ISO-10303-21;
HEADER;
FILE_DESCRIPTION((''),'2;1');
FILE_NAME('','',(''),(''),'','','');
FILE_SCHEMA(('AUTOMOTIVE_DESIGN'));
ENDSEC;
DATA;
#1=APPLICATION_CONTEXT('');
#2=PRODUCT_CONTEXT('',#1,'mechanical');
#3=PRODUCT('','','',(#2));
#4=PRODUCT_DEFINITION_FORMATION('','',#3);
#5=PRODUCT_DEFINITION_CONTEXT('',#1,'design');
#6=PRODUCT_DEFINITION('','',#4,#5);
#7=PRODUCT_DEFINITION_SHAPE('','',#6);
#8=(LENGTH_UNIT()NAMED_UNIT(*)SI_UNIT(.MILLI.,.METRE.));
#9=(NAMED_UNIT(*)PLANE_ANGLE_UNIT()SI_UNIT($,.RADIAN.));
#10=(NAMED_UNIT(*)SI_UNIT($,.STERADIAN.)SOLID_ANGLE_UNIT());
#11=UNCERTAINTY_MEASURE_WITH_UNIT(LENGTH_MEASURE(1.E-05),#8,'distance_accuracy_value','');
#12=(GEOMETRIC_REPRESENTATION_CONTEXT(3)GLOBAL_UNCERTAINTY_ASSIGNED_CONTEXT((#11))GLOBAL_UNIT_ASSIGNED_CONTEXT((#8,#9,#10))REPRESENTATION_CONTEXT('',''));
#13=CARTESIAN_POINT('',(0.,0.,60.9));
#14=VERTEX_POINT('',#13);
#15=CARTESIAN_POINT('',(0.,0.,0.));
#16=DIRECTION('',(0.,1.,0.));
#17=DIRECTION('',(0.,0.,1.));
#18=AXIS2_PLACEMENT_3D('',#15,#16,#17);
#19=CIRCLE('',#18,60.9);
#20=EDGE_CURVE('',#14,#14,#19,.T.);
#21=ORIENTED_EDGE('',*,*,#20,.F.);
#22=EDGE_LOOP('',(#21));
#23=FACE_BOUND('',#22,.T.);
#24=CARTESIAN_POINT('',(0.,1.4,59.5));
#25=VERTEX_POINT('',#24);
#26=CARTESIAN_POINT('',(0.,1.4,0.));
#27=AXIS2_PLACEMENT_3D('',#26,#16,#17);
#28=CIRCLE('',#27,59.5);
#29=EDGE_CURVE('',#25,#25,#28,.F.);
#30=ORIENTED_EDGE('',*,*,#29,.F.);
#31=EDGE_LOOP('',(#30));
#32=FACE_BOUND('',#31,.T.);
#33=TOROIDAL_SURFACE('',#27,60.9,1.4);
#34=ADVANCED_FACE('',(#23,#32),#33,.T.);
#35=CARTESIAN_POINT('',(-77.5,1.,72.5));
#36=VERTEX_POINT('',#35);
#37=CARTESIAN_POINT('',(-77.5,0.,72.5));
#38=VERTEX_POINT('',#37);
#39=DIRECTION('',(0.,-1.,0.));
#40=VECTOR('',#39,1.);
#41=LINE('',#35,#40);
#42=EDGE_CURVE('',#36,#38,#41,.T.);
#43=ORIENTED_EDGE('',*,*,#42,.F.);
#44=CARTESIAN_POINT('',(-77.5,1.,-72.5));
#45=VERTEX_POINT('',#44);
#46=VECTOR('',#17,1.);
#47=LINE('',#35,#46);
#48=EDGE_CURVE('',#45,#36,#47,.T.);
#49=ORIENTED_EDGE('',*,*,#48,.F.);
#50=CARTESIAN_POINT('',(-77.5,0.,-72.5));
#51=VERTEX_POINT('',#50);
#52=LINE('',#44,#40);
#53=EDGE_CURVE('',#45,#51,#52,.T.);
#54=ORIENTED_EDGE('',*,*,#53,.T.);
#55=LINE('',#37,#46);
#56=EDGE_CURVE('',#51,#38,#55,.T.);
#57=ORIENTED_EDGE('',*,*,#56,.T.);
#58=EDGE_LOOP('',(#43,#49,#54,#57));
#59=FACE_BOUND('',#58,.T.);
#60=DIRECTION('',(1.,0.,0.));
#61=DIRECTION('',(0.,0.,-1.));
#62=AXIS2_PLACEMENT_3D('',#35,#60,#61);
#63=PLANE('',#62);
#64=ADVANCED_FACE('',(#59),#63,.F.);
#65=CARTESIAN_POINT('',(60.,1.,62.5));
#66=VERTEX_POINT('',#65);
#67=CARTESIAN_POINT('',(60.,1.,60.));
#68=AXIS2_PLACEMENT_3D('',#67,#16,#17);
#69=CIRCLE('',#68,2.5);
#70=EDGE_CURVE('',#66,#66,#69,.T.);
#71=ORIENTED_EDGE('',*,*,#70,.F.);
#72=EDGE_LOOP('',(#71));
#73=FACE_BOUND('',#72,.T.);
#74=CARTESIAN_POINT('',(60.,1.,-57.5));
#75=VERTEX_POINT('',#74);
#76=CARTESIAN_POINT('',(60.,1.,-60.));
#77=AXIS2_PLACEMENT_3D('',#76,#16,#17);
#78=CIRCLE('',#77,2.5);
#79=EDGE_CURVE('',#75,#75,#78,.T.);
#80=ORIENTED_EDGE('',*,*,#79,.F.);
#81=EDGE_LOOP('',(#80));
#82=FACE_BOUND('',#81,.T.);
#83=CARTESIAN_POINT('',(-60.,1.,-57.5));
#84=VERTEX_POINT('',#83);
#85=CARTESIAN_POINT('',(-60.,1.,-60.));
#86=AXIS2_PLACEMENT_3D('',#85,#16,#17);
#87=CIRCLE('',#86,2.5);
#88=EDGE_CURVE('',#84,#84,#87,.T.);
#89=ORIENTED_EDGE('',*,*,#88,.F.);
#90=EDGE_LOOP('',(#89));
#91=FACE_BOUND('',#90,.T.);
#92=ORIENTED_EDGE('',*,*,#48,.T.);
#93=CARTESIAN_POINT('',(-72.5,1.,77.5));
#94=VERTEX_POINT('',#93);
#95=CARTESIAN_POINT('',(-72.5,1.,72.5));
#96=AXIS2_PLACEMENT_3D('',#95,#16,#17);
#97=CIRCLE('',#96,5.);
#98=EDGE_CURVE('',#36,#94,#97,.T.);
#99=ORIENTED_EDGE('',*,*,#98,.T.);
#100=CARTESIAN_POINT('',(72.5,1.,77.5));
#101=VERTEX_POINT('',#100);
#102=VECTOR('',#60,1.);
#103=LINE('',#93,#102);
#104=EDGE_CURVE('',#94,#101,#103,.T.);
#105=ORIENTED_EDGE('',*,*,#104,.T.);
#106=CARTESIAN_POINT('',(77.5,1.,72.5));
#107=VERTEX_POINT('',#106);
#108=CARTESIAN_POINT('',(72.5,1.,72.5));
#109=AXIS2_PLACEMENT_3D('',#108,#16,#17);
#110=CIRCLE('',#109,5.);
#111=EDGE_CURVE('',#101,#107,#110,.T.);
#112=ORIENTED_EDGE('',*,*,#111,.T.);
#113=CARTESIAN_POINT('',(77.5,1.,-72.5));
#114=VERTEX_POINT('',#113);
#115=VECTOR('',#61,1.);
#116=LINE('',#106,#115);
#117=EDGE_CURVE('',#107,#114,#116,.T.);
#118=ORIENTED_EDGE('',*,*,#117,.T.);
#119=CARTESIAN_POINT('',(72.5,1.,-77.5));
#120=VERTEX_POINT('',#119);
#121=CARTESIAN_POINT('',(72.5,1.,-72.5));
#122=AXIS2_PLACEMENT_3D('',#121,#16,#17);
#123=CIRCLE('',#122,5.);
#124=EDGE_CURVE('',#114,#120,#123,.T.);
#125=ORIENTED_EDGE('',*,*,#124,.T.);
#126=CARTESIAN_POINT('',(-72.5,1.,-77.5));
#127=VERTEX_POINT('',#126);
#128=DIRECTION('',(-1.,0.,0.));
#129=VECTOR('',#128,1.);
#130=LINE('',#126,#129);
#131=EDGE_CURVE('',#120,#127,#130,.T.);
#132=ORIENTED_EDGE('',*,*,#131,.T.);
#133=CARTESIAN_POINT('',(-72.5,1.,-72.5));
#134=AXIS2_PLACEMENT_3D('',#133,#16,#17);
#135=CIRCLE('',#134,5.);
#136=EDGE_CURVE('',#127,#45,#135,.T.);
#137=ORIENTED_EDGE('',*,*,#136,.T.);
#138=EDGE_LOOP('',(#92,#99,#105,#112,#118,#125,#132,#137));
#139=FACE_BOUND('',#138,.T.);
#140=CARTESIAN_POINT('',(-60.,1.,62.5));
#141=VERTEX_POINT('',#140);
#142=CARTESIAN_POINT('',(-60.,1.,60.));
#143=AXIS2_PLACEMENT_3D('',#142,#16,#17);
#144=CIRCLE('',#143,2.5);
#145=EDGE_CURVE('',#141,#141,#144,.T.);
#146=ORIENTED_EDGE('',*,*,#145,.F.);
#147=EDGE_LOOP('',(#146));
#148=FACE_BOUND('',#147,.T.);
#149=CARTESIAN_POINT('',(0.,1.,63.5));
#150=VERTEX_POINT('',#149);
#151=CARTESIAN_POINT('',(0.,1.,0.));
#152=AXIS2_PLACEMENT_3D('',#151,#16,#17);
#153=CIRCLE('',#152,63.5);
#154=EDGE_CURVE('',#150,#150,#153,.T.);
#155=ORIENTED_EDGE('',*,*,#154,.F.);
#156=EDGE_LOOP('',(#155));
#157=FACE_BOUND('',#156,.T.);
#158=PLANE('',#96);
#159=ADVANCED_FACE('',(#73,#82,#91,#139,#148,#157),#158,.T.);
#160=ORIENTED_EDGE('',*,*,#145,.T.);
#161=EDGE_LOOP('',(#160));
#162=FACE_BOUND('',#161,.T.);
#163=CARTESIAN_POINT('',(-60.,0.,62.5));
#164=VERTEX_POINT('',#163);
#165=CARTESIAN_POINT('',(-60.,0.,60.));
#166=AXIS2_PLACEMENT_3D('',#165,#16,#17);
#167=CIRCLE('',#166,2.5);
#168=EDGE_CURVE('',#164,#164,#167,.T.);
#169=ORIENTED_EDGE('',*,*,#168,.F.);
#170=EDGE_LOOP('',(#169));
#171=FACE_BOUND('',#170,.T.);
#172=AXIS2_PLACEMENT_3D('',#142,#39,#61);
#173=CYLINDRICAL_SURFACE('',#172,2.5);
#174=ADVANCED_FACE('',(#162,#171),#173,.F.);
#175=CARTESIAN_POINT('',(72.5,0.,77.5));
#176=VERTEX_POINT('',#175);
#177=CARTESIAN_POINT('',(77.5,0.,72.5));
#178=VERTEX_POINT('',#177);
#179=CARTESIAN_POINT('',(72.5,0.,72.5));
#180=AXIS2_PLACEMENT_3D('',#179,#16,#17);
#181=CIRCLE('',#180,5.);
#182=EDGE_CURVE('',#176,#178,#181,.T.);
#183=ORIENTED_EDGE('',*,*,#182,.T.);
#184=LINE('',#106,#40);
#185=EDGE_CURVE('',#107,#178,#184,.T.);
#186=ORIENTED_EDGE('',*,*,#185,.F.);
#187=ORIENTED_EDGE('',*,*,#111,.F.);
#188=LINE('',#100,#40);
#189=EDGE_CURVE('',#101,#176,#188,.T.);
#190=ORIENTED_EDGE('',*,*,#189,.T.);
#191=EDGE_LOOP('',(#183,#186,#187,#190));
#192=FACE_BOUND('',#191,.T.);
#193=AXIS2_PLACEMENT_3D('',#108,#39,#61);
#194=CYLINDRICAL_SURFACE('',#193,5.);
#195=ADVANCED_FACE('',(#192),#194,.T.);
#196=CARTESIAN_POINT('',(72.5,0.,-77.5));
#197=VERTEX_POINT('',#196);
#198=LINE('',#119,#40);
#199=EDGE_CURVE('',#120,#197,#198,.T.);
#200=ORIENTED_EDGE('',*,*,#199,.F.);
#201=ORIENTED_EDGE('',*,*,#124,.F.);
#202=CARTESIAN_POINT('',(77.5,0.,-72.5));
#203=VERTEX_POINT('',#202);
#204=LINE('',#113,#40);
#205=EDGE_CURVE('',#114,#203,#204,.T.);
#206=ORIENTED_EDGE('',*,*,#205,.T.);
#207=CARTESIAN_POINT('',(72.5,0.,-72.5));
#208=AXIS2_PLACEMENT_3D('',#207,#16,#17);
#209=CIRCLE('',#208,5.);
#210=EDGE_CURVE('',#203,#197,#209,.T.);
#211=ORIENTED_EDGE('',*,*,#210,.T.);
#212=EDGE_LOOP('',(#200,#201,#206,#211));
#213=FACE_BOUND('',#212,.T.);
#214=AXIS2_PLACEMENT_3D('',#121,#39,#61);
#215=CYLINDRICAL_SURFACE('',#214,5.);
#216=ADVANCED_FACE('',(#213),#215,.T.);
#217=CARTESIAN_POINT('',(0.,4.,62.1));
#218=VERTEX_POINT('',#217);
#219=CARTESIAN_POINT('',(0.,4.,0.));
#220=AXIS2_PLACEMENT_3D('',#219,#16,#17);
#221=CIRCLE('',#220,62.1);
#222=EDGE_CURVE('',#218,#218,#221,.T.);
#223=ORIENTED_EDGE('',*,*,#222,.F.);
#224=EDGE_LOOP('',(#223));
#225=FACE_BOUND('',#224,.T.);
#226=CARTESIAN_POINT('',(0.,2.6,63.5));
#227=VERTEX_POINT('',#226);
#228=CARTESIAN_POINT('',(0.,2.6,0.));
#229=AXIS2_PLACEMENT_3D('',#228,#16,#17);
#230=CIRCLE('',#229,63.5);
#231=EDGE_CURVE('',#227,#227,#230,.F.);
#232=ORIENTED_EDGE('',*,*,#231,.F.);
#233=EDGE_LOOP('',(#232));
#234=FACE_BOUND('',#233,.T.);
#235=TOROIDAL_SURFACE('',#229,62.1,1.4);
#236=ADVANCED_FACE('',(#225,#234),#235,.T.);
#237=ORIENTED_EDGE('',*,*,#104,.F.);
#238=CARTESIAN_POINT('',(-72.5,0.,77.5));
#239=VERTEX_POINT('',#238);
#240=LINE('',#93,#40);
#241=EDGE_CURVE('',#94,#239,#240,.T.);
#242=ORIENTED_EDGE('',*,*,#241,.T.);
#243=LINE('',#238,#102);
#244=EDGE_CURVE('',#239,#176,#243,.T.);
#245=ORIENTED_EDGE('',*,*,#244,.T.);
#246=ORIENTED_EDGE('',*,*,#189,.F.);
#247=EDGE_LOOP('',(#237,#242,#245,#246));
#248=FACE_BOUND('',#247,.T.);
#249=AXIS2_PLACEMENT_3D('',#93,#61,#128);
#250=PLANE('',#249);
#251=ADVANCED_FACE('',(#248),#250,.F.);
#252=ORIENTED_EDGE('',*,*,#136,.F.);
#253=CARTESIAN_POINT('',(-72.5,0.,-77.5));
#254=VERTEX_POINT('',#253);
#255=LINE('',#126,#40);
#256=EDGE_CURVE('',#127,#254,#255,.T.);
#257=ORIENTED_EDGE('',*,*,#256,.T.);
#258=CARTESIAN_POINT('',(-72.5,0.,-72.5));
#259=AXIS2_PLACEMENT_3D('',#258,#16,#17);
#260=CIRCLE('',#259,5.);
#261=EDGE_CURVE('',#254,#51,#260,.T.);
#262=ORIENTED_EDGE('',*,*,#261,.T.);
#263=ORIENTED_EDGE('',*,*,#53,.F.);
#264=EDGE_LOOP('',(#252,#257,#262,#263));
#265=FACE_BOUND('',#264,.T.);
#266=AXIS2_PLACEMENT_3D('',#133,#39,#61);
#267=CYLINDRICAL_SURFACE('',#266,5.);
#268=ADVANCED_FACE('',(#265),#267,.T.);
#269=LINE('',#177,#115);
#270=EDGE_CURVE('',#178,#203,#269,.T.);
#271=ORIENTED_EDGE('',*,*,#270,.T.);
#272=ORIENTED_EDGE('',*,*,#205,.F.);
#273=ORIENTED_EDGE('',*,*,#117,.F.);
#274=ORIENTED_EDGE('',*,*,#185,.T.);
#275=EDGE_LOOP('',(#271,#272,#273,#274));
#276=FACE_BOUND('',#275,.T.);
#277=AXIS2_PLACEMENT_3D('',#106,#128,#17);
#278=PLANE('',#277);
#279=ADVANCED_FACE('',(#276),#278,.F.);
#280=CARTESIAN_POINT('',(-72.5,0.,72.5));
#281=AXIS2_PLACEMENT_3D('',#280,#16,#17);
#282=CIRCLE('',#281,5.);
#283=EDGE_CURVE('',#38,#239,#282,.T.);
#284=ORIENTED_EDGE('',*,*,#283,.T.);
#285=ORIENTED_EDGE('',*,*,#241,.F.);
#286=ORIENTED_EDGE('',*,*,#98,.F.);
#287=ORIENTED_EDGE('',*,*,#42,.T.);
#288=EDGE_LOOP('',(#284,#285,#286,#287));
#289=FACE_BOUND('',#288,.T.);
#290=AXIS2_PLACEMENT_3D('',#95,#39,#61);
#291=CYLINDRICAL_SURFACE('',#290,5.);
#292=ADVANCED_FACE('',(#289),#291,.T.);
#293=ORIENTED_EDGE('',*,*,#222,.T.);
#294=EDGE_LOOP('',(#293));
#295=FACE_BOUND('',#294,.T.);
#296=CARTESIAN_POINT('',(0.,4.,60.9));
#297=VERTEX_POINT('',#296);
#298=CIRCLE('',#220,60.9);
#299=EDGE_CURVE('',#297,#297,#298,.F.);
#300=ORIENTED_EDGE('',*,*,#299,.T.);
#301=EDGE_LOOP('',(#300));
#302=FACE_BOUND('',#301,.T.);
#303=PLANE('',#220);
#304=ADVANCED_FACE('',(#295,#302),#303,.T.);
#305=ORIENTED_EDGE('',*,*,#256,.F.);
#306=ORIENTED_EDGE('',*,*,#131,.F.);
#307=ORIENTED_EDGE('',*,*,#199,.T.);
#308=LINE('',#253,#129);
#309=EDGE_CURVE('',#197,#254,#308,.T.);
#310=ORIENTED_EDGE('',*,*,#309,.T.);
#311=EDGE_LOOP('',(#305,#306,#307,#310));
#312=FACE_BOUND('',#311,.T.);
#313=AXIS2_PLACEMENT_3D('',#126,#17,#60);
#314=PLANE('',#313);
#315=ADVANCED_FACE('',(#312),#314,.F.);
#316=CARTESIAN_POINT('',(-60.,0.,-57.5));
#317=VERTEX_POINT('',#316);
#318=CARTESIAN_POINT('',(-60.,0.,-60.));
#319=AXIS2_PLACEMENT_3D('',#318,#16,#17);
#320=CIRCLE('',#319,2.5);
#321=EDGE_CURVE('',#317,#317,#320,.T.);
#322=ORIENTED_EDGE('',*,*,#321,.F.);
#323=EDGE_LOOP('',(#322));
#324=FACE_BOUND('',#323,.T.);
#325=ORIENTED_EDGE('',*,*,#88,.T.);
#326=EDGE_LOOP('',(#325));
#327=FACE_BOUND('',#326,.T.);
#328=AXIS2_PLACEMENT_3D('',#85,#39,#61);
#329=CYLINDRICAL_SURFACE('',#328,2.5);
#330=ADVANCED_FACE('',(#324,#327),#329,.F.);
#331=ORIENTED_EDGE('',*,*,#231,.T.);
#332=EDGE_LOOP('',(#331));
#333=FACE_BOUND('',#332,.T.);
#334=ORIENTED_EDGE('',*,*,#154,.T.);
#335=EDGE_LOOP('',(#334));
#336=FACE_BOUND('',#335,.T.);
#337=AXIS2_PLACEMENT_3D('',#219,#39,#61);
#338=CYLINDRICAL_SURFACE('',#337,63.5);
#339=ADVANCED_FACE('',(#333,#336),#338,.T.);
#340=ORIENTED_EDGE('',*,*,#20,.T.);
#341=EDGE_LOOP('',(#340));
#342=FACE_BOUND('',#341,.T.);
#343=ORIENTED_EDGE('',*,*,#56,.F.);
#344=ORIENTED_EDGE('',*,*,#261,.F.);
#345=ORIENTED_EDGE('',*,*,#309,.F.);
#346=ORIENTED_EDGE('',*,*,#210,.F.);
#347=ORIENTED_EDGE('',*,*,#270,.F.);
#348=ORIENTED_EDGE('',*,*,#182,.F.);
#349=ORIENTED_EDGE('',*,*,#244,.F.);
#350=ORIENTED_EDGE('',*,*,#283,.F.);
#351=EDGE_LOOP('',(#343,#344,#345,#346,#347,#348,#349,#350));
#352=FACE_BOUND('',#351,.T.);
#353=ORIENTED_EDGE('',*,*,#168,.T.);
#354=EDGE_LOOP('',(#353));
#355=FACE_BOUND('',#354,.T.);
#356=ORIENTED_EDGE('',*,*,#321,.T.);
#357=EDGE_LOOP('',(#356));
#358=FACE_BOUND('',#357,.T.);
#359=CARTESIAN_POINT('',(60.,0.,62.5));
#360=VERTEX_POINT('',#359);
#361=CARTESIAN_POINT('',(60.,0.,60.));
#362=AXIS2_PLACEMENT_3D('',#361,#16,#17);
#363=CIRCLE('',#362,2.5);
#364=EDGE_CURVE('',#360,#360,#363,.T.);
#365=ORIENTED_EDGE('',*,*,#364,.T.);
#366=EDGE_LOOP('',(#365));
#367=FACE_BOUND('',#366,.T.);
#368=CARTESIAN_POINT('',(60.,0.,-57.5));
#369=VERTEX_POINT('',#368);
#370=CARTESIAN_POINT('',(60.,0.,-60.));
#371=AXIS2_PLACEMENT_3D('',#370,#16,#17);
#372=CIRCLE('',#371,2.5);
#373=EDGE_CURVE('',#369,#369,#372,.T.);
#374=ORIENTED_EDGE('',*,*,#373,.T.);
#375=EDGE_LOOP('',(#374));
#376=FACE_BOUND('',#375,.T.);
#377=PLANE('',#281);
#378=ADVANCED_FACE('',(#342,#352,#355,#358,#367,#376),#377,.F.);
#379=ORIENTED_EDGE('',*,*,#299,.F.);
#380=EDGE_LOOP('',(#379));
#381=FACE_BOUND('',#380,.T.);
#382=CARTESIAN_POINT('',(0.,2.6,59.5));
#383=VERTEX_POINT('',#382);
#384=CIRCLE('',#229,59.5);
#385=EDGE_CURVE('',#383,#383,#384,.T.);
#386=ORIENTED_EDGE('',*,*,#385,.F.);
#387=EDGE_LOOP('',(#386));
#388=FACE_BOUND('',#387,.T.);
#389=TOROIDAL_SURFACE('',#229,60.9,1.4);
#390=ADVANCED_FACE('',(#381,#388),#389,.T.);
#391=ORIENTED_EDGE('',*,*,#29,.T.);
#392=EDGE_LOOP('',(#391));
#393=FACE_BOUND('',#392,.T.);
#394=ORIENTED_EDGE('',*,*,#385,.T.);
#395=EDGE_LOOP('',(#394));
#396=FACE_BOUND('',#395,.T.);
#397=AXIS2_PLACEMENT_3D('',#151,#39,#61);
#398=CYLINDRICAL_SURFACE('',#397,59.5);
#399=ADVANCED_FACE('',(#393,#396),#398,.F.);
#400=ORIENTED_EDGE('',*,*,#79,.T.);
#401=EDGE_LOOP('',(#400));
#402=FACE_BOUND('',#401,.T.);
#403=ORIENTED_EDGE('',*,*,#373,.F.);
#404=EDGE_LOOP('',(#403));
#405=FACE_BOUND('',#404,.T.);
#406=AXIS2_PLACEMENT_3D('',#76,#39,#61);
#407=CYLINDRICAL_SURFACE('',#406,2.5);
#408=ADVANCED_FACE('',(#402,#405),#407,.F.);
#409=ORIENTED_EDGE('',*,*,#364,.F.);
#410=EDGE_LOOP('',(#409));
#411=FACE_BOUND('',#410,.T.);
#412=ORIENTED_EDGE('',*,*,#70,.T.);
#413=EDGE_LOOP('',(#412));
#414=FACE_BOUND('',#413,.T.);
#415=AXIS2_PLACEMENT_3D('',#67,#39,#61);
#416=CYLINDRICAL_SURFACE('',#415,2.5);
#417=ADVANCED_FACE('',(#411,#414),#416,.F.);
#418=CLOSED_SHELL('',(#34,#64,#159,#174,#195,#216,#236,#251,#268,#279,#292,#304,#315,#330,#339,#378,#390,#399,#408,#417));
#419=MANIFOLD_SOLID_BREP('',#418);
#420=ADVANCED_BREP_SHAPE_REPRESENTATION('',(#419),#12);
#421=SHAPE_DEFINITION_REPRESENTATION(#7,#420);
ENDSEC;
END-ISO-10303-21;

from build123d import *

# Parameters (mm, degrees)
SKETCH1_R           = 59.5
SKETCH1_R_2         = 2.5
BOSS_EXTRUDE1_DEPTH = 1
SKETCH2_R           = 63.5
SKETCH2_R_2         = 59.5
BOSS_EXTRUDE2_DEPTH = 3
FILLET1_R           = 1.4
FILLET2_R           = 1.4


with BuildPart() as part:
    # Sketch1 → Boss-Extrude1 (new body)
    with BuildSketch(Plane(origin=(0, 0, 0), x_dir=(1, 0, 0), z_dir=(0, 1, 0))):
        with BuildLine():
            Line((-72.5, -77.5), (72.5, -77.5))
            ThreePointArc((72.5, -77.5), (76.035533906, -76.035533906), (77.5, -72.5))
            Line((77.5, -72.5), (77.5, 72.5))
            ThreePointArc((77.5, 72.5), (76.035533906, 76.035533906), (72.5, 77.5))
            Line((72.5, 77.5), (-72.5, 77.5))
            ThreePointArc((-72.5, 77.5), (-76.035533906, 76.035533906), (-77.5, 72.5))
            Line((-77.5, 72.5), (-77.5, -72.5))
            ThreePointArc((-77.5, -72.5), (-76.035533906, -76.035533906), (-72.5, -77.5))
        make_face()
        with Locations(Location((0, 0, 0), (0, 0, 270))):
            Circle(SKETCH1_R, mode=Mode.SUBTRACT)
        with Locations(Location((-60, 60, 0), (0, 0, 270))):
            Circle(SKETCH1_R_2, mode=Mode.SUBTRACT)
        with Locations(Location((60, 60, 0), (0, 0, 270))):
            Circle(SKETCH1_R_2, mode=Mode.SUBTRACT)
        with Locations(Location((60, -60, 0), (0, 0, 270))):
            Circle(SKETCH1_R_2, mode=Mode.SUBTRACT)
        with Locations(Location((-60, -60, 0), (0, 0, 270))):
            Circle(SKETCH1_R_2, mode=Mode.SUBTRACT)
    extrude(amount=BOSS_EXTRUDE1_DEPTH)

    # Sketch2 → Boss-Extrude2 (add)
    with BuildSketch(Plane(origin=(0, 1, 0), x_dir=(1, 0, 0), z_dir=(0, 1, 0))):
        with Locations(Location((0, 0, 0), (0, 0, 270))):
            Circle(SKETCH2_R)
        with Locations(Location((0, 0, 0), (0, 0, 270))):
            Circle(SKETCH2_R_2, mode=Mode.SUBTRACT)
    extrude(amount=BOSS_EXTRUDE2_DEPTH)

    # Fillet1
    fillet1_edges = [part.edges().sort_by_distance(p)[0] for p in [
        (0, 4, -63.5),
        (0, 4, -59.5),
    ]]
    fillet(fillet1_edges, radius=FILLET1_R)

    # Fillet2
    fillet2_edges = [part.edges().sort_by_distance(p)[0] for p in [
        (0, 0, -59.5),
    ]]
    fillet(fillet2_edges, radius=FILLET2_R)


solid = part.part
